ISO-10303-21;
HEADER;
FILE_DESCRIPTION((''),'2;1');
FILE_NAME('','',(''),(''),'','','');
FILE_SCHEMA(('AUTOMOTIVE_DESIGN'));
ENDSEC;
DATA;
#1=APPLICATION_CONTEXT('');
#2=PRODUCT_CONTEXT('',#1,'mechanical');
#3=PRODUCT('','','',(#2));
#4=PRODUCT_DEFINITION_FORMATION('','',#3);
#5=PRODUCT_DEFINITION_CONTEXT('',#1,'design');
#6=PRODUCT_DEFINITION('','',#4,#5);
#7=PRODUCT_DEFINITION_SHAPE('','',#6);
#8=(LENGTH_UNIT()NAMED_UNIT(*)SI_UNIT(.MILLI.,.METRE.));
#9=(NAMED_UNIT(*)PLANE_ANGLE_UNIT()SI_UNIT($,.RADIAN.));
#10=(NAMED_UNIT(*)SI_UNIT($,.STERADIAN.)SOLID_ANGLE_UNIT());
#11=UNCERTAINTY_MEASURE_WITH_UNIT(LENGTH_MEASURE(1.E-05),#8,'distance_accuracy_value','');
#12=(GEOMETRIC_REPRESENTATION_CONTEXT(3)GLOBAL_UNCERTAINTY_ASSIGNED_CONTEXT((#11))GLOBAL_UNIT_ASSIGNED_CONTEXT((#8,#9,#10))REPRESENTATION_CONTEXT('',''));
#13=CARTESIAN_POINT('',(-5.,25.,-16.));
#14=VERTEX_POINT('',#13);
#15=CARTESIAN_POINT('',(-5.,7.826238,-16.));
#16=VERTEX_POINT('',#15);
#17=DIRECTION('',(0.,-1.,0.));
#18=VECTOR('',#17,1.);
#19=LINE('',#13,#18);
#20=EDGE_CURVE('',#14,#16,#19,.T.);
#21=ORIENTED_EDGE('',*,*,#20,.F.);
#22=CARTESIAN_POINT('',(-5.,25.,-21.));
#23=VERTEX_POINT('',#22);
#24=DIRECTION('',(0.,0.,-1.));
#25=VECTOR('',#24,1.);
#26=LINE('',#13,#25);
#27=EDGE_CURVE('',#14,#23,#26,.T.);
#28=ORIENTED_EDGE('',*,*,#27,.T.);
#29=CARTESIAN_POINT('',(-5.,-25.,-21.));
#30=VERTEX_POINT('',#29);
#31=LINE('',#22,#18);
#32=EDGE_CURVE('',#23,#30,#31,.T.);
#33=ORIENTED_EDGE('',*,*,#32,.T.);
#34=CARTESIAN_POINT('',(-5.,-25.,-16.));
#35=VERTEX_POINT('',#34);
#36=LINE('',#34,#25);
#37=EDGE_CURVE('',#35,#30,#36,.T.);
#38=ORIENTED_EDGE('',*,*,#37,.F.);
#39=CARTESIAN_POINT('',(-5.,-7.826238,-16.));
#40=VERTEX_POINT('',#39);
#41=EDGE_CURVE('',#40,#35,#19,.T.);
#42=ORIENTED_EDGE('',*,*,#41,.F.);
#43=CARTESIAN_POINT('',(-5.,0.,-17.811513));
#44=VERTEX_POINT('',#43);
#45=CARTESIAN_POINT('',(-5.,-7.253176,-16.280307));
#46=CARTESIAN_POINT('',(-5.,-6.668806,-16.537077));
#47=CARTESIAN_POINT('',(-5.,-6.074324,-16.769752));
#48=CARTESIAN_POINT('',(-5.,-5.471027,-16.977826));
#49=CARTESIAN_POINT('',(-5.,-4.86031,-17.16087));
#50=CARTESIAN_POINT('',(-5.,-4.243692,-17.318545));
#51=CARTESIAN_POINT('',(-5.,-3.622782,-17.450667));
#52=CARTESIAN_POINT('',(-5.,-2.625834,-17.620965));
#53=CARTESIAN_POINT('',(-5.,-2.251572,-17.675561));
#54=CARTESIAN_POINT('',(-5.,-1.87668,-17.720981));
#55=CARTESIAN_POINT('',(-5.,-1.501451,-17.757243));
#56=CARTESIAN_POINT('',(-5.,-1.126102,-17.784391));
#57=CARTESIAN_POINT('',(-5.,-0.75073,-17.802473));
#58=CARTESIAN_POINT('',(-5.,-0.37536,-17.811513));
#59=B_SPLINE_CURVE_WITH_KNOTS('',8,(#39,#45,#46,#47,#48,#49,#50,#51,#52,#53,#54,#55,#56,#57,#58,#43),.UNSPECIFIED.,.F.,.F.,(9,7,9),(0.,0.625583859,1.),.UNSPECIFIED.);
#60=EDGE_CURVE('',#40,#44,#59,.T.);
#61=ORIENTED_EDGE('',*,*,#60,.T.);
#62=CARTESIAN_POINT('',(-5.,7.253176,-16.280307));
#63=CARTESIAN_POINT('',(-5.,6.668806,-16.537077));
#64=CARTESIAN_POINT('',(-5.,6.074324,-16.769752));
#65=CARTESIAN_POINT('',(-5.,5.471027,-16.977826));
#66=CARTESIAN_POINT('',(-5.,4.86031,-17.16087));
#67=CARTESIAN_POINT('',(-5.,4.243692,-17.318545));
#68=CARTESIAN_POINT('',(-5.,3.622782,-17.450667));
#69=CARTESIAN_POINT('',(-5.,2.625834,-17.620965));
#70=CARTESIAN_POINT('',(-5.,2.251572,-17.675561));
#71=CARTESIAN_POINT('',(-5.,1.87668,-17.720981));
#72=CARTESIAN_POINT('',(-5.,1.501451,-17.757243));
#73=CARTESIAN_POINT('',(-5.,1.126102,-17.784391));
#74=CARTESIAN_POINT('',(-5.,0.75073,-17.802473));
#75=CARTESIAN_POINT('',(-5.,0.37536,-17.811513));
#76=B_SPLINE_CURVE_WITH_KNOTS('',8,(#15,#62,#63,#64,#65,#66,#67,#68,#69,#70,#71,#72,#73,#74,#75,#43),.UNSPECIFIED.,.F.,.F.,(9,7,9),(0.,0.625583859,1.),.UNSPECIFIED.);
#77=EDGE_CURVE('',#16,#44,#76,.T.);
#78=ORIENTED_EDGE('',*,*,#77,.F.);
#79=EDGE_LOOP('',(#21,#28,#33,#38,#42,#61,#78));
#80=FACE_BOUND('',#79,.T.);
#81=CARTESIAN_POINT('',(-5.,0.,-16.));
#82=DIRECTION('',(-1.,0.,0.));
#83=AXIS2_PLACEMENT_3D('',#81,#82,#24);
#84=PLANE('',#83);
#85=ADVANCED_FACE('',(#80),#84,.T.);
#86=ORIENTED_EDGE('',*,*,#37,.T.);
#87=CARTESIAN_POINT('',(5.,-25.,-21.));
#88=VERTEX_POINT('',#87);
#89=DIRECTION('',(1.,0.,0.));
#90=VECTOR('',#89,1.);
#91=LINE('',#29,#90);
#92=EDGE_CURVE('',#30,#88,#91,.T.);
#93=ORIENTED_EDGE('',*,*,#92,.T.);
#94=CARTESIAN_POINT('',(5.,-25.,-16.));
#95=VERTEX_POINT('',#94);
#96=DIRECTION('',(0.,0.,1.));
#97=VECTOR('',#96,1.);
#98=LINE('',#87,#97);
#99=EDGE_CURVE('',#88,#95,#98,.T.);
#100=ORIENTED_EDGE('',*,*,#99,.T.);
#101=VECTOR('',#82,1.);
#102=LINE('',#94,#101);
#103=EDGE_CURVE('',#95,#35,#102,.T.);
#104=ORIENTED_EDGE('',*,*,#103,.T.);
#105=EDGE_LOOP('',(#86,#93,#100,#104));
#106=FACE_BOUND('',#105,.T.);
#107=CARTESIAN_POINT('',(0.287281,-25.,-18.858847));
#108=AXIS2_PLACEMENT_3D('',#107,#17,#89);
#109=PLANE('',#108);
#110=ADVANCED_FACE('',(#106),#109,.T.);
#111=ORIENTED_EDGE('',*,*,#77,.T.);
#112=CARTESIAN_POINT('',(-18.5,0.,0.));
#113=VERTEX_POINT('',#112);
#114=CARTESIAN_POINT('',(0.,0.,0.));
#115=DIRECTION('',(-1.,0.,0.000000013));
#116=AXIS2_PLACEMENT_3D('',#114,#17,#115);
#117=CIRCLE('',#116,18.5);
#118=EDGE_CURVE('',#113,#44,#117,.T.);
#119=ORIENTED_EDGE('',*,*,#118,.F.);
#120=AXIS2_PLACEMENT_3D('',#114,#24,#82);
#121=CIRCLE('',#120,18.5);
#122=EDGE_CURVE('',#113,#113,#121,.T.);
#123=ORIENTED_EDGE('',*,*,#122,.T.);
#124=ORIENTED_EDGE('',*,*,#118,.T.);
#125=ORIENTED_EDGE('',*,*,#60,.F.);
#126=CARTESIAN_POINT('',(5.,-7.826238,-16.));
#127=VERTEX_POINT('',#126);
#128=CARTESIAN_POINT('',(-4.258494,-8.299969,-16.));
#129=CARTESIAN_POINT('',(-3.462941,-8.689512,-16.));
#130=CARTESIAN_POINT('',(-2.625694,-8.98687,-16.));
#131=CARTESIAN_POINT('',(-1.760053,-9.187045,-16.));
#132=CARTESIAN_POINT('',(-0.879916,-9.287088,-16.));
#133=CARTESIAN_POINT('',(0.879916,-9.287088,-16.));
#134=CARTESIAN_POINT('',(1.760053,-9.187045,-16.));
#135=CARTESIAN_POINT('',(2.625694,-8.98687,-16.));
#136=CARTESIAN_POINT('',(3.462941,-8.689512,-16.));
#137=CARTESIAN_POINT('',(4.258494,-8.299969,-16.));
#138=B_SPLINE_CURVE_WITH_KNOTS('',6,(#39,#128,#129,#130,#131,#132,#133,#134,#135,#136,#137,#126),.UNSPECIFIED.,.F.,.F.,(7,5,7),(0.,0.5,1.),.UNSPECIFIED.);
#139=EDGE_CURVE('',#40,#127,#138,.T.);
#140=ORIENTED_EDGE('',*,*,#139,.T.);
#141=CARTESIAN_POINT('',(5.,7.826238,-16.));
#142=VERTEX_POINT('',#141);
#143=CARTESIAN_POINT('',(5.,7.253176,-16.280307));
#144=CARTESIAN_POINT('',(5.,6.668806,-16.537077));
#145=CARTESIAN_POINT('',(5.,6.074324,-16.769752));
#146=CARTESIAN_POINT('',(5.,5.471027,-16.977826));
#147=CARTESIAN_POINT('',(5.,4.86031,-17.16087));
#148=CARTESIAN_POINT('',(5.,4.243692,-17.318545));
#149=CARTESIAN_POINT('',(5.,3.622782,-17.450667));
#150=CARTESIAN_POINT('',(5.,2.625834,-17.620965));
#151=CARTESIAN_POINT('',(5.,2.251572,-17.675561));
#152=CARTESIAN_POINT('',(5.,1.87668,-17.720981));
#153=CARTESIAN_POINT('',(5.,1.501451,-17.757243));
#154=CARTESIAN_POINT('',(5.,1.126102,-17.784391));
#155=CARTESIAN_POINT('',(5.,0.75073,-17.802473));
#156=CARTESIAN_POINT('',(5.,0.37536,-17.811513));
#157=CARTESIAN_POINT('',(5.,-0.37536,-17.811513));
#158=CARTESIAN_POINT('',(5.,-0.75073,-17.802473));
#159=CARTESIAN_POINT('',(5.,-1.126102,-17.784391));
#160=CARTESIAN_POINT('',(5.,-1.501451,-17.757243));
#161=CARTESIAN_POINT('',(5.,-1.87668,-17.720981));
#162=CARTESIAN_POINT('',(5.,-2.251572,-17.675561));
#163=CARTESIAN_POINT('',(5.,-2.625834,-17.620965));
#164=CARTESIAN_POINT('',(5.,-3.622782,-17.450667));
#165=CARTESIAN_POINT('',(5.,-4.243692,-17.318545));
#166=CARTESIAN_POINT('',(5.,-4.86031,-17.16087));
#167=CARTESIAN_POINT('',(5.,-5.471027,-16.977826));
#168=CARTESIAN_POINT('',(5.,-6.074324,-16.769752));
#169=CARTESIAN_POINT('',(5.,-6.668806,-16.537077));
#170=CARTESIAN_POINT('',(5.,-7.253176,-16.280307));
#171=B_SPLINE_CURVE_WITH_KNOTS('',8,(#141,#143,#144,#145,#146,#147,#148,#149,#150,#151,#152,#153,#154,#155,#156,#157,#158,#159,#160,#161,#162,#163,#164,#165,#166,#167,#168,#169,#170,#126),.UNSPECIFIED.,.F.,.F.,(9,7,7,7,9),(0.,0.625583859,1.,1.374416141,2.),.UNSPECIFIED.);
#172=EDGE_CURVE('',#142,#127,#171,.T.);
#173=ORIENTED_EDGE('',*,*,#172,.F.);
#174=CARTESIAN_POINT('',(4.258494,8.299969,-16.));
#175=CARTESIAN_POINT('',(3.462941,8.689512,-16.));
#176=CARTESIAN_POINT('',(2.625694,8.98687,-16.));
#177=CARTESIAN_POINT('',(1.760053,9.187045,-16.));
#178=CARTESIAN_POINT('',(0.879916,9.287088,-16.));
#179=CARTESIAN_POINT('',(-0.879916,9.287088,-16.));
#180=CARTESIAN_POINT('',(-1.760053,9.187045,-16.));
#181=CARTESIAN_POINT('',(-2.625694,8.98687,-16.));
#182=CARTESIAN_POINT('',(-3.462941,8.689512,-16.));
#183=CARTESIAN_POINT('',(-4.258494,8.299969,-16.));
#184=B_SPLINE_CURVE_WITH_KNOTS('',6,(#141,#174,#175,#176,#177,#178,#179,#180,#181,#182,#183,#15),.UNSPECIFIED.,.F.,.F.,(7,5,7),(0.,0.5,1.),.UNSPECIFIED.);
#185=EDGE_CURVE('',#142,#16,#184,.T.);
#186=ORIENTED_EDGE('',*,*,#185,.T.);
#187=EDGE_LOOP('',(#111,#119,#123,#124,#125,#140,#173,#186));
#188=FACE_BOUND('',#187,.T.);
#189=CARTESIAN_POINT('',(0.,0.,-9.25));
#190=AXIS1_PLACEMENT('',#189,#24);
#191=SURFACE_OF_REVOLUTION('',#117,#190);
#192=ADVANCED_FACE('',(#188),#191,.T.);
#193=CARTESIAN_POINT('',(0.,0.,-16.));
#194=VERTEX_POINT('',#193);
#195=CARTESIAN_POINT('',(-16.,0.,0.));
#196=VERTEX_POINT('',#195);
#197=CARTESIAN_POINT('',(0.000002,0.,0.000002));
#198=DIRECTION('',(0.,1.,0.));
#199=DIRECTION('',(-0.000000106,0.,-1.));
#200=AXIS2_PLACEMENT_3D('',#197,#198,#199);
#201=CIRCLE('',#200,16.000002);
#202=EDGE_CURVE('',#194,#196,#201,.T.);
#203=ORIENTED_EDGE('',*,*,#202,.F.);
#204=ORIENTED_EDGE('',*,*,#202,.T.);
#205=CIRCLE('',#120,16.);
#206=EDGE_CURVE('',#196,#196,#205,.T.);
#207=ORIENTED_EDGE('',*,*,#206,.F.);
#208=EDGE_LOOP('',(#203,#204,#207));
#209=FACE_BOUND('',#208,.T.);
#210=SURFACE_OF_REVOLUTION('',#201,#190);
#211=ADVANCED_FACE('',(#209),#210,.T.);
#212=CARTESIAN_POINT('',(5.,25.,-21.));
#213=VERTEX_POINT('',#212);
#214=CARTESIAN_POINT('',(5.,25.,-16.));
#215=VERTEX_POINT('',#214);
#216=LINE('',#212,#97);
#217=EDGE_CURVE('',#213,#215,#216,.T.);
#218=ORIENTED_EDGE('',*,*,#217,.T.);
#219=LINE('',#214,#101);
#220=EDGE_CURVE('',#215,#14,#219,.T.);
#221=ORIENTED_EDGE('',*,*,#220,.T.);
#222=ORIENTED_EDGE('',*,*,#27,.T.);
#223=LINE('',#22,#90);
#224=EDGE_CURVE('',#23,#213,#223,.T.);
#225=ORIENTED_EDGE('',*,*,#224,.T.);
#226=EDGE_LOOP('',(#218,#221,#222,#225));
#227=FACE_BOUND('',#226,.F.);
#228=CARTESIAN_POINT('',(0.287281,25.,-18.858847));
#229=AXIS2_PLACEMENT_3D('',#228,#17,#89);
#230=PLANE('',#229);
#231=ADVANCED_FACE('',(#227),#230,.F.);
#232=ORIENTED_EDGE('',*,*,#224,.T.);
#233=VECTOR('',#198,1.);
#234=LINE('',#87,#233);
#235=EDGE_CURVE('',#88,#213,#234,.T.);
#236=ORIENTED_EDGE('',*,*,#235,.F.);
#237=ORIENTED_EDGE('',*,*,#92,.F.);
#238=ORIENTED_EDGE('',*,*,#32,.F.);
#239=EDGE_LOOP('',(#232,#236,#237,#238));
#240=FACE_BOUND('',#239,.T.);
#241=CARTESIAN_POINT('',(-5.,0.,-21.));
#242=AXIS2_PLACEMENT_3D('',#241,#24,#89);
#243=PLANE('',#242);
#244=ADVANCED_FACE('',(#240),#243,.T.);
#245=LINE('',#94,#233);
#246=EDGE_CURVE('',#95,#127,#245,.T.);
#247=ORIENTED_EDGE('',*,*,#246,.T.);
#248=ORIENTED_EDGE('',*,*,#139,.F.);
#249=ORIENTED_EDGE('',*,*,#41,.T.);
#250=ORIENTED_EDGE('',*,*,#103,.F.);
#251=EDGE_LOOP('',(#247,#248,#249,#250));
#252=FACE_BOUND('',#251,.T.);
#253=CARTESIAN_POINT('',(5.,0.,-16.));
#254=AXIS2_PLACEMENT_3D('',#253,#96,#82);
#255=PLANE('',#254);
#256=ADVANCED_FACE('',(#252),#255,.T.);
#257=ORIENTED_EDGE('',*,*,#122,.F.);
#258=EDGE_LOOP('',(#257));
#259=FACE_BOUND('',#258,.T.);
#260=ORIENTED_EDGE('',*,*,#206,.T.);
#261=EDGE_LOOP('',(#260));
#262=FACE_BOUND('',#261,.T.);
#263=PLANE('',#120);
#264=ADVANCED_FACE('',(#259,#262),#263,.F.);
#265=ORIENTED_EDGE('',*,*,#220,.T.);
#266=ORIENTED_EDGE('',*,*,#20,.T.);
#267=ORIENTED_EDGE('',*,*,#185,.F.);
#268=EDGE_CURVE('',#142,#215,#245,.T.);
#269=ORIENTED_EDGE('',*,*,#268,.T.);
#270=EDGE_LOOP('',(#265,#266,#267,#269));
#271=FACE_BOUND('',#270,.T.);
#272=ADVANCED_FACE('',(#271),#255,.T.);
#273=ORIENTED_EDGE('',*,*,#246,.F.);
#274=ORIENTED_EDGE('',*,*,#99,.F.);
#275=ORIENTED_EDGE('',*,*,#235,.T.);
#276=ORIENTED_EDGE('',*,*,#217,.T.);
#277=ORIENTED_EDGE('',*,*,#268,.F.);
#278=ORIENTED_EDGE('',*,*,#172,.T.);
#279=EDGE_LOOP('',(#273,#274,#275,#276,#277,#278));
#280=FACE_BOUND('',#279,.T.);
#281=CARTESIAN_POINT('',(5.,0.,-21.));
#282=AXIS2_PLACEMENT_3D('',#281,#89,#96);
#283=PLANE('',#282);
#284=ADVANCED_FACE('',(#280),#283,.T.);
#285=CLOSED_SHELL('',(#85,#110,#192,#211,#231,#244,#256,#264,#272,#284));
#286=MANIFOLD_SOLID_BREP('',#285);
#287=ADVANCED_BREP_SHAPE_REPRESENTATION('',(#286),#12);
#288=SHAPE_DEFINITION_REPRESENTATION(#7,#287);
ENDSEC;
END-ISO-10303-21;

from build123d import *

# Parameters (mm, degrees)
F2_DEPTH = 25


with BuildPart() as f1:
    # F0 (on Front) → F1 (revolve)
    with BuildSketch(Plane.XZ):
        with BuildLine():
            ThreePointArc((0, -16), (-11.313708, -11.313708), (-16, 0))
            Line((-16, 0), (-18.5, 0))
            ThreePointArc((-18.5, 0), (-14.743643, -11.174748), (-5, -17.811513))
            Line((-5, -17.811513), (-5, -16))
            Line((-5, -16), (0, -16))
        make_face()
        with BuildLine():
            Line((0, -18.5), (0, -16))
            Line((0, -16), (-5, -16))
            Line((-5, -16), (-5, -17.811513))
            ThreePointArc((-5, -17.811513), (-2.523589, -18.32707), (0, -18.5))
        make_face()
    revolve(axis=Axis((0, 0, -9.25), (0, 0, -1)))

    # F0 (on Front) → F2 (join, symmetric)
    with BuildSketch(Plane.XZ):
        with BuildLine():
            Line((5, -16), (0, -16))
            Line((0, -16), (0, -18.5))
            ThreePointArc((0, -18.5), (-2.523589, -18.32707), (-5, -17.811513))
            Line((-5, -17.811513), (-5, -21))
            Line((-5, -21), (5, -21))
            Line((5, -21), (5, -16))
        make_face()
        with BuildLine():
            Line((0, -18.5), (0, -16))
            Line((0, -16), (-5, -16))
            Line((-5, -16), (-5, -17.811513))
            ThreePointArc((-5, -17.811513), (-2.523589, -18.32707), (0, -18.5))
        make_face()
    extrude(amount=F2_DEPTH, both=True)


solid = f1.part
